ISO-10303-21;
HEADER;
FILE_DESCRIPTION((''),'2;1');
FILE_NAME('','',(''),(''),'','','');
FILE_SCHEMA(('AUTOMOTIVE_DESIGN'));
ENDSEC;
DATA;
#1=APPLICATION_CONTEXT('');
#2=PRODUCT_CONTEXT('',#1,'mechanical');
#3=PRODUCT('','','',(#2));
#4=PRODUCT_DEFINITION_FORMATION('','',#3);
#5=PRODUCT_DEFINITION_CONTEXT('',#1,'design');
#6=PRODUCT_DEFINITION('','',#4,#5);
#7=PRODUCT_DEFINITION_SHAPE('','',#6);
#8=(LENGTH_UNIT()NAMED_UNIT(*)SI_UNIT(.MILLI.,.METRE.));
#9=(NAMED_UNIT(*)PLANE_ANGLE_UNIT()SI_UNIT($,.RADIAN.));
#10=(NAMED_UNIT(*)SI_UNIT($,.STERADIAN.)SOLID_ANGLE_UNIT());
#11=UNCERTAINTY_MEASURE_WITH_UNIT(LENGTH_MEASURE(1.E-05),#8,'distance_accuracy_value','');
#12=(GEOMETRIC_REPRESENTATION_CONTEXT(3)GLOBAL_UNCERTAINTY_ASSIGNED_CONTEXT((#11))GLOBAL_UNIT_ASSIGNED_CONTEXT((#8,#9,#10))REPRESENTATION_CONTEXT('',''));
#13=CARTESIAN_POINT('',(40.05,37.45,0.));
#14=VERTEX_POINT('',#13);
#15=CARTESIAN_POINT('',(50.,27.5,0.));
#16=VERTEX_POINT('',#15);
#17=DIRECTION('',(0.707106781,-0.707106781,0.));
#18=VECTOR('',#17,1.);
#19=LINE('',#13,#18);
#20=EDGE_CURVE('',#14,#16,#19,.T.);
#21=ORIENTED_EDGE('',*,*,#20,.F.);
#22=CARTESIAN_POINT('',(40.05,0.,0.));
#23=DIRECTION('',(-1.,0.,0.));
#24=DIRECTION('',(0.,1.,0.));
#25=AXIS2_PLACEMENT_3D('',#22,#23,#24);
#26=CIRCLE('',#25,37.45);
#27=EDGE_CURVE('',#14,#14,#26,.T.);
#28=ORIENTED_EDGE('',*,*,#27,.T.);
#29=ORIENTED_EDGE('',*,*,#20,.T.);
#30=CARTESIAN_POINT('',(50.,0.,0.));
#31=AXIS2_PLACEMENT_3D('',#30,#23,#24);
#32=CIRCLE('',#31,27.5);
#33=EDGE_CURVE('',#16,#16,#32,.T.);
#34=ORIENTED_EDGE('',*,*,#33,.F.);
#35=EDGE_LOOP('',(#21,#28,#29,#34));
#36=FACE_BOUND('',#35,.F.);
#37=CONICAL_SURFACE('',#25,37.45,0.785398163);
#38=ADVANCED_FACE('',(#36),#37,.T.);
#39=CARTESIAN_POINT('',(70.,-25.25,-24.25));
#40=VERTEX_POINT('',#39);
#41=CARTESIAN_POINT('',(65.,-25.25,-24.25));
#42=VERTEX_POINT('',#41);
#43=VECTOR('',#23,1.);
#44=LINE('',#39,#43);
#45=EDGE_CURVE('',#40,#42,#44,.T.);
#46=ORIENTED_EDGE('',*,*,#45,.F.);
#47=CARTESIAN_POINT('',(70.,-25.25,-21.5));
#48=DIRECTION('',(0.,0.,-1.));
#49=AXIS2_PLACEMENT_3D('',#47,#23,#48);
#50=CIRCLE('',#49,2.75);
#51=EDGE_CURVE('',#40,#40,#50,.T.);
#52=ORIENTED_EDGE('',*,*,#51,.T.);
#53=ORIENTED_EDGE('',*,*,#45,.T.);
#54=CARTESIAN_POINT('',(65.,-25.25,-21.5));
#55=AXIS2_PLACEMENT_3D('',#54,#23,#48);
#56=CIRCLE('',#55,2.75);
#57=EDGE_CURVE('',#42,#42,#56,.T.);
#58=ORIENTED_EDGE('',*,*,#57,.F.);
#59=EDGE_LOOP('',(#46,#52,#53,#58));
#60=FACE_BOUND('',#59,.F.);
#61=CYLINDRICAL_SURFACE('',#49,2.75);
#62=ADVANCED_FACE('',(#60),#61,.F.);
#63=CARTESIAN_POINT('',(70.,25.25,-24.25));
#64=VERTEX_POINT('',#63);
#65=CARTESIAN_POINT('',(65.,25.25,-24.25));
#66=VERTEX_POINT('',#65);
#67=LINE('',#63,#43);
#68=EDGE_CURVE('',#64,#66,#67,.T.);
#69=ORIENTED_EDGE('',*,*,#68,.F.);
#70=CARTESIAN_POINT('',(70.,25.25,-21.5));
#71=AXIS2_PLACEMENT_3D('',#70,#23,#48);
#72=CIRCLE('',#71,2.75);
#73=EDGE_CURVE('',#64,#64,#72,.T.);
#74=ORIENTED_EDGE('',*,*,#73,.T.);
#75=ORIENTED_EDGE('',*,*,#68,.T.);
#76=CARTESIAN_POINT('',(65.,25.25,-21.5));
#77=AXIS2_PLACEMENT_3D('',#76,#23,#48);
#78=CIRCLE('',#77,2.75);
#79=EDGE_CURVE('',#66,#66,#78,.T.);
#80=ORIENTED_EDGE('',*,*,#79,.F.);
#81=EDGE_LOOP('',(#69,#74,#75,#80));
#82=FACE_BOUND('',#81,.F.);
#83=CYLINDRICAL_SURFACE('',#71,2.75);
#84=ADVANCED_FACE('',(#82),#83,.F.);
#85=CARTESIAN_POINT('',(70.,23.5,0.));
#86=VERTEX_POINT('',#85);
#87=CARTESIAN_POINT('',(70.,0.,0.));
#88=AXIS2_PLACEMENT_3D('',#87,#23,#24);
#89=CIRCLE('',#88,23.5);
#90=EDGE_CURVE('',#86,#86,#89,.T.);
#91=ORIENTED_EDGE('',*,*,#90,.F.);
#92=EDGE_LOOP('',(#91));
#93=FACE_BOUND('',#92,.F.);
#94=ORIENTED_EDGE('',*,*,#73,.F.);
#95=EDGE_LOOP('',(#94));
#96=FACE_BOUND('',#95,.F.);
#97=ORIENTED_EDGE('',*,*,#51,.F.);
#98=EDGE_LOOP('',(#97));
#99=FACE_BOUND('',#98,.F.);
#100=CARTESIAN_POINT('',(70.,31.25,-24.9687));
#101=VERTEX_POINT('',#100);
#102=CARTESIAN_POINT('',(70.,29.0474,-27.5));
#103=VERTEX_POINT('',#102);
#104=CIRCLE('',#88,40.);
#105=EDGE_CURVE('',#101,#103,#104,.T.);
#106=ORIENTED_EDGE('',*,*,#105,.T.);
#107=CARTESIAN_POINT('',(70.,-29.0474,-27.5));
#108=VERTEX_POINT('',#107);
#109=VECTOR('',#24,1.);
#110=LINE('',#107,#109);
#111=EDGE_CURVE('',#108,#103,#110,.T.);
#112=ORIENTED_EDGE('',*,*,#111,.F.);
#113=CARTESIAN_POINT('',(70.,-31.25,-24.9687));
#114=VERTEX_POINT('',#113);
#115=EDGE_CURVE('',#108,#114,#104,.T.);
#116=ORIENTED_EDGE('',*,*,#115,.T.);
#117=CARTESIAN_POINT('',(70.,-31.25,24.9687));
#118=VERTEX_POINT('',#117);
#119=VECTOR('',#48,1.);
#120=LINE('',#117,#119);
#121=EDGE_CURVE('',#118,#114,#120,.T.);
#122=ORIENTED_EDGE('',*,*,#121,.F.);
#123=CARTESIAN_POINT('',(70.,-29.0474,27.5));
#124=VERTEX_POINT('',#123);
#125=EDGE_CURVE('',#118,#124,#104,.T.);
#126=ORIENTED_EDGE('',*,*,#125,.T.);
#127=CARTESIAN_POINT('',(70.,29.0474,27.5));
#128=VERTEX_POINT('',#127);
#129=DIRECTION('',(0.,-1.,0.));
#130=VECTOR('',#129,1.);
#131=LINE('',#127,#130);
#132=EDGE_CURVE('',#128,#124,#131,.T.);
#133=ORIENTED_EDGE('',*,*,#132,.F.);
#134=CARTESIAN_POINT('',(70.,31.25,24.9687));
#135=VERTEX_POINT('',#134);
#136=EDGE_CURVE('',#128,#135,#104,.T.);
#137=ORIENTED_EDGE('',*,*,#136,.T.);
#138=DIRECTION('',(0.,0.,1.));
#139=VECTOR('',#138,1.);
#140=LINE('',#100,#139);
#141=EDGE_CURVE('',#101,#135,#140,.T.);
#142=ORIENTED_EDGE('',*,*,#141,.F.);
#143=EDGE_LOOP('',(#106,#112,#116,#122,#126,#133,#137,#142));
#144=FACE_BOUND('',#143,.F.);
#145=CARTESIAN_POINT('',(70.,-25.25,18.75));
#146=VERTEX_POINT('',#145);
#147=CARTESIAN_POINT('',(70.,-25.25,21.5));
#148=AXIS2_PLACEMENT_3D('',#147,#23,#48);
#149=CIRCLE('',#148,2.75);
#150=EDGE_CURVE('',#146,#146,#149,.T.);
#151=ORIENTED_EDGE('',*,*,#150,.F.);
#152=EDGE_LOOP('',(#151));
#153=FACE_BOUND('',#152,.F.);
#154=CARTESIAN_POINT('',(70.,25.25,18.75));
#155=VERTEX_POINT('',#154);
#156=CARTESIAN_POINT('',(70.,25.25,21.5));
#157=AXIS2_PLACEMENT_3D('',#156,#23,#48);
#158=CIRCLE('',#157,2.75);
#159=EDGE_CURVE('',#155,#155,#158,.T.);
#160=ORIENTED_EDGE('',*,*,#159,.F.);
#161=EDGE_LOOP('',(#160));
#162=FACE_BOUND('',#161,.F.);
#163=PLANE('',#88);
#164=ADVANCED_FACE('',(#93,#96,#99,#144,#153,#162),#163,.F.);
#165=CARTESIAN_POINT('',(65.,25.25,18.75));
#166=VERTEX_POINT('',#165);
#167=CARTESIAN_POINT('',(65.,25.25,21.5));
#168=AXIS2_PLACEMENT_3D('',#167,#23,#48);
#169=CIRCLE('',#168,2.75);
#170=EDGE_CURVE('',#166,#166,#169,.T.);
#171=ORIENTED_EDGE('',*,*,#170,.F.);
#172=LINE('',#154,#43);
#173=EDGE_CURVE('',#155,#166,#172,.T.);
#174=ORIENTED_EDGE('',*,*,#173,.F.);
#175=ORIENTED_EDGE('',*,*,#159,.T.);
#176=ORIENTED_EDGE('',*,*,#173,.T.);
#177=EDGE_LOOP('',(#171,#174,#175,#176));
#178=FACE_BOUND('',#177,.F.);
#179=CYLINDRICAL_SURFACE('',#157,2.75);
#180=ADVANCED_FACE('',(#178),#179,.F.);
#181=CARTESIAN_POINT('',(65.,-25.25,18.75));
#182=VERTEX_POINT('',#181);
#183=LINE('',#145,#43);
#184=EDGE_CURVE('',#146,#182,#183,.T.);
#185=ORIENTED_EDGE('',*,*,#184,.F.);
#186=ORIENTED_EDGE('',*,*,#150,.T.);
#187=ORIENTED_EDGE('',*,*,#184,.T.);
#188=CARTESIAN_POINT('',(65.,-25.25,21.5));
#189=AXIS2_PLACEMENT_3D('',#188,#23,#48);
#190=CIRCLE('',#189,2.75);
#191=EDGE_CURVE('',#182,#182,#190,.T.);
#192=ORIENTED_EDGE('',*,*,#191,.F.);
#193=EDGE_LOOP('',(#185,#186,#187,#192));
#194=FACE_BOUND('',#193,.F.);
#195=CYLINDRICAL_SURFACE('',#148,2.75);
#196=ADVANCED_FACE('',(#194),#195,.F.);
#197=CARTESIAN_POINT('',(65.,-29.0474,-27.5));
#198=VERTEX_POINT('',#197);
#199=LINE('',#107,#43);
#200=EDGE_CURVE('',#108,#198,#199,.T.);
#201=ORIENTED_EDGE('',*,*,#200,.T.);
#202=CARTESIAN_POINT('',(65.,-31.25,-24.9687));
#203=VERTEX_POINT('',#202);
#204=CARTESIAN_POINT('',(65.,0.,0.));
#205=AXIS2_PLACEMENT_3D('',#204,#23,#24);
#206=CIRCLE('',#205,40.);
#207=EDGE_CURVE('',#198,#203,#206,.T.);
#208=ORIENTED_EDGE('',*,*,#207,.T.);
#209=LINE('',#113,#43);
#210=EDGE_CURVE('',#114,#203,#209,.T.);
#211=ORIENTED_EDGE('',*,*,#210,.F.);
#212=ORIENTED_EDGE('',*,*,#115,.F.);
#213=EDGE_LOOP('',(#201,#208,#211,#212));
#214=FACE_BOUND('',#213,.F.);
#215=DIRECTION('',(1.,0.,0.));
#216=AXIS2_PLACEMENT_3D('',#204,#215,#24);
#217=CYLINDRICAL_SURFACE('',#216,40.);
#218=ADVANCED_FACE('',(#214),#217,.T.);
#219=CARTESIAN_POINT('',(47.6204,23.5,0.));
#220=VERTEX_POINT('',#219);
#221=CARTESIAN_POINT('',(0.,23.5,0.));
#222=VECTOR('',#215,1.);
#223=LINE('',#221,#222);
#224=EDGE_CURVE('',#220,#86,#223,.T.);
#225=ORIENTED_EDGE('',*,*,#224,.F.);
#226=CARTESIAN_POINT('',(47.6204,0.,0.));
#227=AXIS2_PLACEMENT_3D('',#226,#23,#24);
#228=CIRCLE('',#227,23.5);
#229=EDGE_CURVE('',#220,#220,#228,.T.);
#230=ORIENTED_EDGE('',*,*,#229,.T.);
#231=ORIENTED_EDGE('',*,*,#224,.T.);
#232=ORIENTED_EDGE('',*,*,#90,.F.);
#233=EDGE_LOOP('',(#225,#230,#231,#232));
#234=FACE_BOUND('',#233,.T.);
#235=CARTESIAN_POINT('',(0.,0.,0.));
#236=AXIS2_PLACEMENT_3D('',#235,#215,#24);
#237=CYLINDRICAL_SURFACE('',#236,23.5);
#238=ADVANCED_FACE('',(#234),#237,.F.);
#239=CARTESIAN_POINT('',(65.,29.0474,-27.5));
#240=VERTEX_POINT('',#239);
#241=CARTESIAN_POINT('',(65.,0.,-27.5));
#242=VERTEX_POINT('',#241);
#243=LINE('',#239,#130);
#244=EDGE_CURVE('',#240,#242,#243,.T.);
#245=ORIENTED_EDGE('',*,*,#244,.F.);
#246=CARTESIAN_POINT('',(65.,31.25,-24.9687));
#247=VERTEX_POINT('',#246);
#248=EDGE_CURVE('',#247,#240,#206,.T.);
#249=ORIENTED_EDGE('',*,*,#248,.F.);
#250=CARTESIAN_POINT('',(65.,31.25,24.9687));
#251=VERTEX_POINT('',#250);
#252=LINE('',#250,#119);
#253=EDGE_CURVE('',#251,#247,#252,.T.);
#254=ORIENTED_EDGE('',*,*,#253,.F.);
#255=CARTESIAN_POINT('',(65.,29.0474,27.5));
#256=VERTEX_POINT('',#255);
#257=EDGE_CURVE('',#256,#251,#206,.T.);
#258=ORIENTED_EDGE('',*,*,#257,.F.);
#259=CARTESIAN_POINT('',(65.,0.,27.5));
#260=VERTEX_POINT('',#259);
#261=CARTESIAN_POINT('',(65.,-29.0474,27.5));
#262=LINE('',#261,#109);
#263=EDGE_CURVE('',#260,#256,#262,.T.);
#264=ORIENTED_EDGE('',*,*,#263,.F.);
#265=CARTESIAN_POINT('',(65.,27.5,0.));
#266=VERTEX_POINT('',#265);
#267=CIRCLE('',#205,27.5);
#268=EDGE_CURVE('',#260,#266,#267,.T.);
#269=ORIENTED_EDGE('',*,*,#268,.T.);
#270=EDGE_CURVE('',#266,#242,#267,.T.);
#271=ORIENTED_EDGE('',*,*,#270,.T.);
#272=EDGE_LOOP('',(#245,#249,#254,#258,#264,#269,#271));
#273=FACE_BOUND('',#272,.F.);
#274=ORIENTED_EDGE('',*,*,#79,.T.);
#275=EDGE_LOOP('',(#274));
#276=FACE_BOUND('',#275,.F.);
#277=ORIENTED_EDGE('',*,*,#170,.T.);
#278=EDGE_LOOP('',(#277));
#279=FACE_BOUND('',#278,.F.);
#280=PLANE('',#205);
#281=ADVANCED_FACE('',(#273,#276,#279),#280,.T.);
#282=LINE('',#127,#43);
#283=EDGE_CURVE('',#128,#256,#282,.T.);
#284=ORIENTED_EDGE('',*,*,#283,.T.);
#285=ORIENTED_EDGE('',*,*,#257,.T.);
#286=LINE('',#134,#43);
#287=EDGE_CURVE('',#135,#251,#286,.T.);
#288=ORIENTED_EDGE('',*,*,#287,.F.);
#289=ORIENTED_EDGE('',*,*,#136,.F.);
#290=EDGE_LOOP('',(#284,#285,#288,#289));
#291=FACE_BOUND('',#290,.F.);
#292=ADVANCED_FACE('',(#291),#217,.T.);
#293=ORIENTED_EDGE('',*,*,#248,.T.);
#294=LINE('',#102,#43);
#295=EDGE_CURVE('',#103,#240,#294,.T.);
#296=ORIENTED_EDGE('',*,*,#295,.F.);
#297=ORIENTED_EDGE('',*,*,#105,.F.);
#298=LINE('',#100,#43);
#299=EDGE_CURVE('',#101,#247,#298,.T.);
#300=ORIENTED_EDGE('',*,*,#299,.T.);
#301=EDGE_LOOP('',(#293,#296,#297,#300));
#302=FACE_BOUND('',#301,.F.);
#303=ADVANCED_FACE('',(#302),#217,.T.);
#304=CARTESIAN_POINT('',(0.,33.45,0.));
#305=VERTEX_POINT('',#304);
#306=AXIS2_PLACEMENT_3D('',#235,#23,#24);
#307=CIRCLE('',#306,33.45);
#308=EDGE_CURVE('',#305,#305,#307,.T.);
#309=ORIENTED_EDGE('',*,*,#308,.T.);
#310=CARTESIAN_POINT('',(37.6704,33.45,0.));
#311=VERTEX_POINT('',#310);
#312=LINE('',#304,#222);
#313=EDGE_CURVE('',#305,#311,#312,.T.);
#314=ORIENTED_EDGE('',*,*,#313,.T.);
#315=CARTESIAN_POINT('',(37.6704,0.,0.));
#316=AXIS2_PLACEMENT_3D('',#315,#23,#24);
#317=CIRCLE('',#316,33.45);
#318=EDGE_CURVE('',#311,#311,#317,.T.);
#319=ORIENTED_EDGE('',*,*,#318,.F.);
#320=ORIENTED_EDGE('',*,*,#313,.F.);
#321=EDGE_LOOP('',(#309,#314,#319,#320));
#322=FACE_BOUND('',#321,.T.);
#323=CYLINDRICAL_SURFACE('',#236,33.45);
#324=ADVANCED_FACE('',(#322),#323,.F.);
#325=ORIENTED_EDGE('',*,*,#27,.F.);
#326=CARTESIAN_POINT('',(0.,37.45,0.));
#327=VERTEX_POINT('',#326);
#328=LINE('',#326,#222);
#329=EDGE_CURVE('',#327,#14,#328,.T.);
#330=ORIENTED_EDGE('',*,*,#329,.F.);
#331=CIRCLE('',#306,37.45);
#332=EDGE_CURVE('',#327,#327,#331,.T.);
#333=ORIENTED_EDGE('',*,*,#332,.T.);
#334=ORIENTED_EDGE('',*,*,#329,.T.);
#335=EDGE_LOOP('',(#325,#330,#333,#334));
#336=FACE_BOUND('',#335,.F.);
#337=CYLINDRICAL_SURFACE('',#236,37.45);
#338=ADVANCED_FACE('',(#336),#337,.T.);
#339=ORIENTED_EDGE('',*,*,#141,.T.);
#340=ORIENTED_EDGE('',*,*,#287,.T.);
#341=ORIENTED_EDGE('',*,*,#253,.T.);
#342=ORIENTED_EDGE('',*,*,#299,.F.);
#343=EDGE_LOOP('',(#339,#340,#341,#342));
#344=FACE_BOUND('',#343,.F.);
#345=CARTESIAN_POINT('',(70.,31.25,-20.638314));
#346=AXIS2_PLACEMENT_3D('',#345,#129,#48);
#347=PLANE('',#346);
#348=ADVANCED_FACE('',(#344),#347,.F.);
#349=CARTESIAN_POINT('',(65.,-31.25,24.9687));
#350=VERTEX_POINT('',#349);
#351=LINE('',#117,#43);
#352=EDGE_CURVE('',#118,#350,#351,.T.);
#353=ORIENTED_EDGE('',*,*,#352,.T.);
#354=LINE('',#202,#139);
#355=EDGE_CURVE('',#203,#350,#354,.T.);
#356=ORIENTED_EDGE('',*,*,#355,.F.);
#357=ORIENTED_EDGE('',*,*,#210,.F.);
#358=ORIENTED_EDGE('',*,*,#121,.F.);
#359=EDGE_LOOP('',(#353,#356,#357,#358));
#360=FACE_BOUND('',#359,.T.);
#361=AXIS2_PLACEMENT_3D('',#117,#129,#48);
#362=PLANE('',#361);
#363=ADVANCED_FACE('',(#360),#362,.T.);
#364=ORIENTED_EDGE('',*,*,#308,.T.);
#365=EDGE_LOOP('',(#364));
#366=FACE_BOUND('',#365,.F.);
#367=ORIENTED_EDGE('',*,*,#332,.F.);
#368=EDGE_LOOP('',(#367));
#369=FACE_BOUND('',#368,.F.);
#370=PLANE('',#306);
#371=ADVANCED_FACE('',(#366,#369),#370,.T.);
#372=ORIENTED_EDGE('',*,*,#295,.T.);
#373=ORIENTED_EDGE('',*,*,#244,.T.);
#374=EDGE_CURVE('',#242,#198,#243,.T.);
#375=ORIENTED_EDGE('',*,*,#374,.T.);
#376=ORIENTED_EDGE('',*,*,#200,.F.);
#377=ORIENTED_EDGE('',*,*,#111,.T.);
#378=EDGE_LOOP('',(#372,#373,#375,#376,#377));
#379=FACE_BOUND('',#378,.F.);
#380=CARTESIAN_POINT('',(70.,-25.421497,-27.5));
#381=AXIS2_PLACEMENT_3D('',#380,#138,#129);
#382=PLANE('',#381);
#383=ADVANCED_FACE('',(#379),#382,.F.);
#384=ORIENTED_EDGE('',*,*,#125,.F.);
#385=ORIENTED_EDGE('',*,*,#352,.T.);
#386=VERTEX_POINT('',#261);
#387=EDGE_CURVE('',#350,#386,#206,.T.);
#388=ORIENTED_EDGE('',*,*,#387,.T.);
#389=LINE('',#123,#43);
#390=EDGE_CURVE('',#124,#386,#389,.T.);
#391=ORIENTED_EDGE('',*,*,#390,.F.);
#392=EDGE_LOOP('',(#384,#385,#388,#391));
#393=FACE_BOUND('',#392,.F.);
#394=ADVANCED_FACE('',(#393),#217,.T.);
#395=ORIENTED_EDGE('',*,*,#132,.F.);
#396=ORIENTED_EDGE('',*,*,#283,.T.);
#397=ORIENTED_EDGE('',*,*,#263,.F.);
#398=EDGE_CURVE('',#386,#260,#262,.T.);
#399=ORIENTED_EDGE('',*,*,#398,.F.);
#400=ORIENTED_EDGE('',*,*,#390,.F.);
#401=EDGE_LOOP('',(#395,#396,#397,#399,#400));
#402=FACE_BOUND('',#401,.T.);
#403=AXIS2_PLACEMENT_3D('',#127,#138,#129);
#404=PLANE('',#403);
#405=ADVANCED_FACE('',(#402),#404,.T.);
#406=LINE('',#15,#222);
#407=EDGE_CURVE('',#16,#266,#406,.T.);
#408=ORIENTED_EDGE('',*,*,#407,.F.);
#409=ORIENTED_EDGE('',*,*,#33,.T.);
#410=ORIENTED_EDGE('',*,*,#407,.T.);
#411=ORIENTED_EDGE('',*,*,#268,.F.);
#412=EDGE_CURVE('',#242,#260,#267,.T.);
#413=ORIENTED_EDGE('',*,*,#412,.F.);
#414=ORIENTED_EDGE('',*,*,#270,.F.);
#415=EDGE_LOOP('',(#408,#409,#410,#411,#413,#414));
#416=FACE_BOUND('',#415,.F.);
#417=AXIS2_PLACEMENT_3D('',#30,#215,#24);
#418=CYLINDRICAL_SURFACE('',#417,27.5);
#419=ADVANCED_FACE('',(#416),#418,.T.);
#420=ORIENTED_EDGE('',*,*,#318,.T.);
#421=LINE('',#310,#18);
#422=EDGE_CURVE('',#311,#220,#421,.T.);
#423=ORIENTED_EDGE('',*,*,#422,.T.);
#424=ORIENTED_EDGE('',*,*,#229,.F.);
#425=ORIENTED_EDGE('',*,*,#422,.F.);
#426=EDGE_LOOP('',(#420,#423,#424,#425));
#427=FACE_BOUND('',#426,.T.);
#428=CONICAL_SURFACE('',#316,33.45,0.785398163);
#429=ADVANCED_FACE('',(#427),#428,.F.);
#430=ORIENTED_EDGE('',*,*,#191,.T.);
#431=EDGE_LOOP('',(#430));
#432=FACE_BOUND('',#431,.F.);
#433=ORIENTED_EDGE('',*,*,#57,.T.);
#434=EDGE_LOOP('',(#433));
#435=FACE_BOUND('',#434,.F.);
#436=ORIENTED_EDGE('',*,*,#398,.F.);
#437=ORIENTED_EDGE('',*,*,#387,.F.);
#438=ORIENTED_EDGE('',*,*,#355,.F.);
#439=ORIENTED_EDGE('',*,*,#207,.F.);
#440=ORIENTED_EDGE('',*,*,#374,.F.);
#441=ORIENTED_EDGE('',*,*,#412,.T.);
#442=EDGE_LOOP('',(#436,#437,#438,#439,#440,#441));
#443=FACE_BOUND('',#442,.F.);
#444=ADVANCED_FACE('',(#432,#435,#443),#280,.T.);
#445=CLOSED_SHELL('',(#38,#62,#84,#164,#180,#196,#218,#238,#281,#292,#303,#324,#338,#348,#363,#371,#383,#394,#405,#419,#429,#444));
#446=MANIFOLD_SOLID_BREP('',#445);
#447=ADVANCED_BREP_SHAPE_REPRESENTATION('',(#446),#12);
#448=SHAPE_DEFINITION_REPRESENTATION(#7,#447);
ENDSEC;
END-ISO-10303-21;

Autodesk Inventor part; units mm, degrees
ref_plane "YZ Plane" through (0, 0, 0) normal (1, 0, 0) x (0, 1, 0)
ref_plane "XZ Plane" through (0, 0, 0) normal (0, 1, 0) x (-1, 0, 0)
ref_plane "XY Plane" through (0, 0, 0) normal (0, 0, 1) x (1, 0, 0)
sketch "Skizze1" plane through (0, 0, 0) normal (0, 0, 1) x (1, 0, 0)
  line L0 (40.05, 37.45) -> (50, 27.5)
  line L1 (50, 27.5) -> (65, 27.5)
  line L2 (65, 27.5) -> (65, 40)
  line L3 (65, 40) -> (70, 40)
  line L4 (70, 40) -> (70, 0)
  line L5 (70, 0) -> (0, 0)
  line L6 (0, 23.5) -> (70, 23.5)
  line L7 (0, 0) -> (0, 37.45)
  line L8 (0, 37.45) -> (40.05, 37.45)
  line L9 (0, 33.45) -> (37.6704, 33.45)
  line L10 (37.6704, 33.45) -> (47.6204, 23.5)
  dimension "d0" = 23.5
  dimension "d2" = 5
  dimension "d3" = 15
  dimension "d6" = 40
  dimension "d7" = 4
  dimension "d34" = 37.45
  dimension "d35" = 135
  dimension "d36" = 70
  dimension "d52" = 4
revolve "Umdrehung2" add sketch "Skizze1" angle 360 about axis through (70, 0, 0) along (-1, 0, 0) contours L0 L1 L2 L3 L4 L6 L10 L9 L7 L8
sketch "Skizze5" plane through (70, 0, 0) normal (1, 0, 0) x (0, 0, -1)
  circle A0 centre (0, 0) radius 40 projected
  line L0 (-27.5, 29.0474) -> (-27.5, -29.0474)
  line L1 (27.5, 29.0474) -> (27.5, -29.0474)
  line L2 (-24.9687, -31.25) -> (24.9687, -31.25)
  line L3 (-24.9687, 31.25) -> (24.9687, 31.25)
  circle A1 centre (0, 0) radius 37.45 projected
  circle A2 centre (0, 0) radius 40
  point P0 (0, 31.25)
  point P1 (-27.5, 0)
  dimension "d38" = 62.5
  dimension "d40" = 55
extrude "Extrusion3" cut sketch "Skizze5" against normal up to surface (5 mm away) contours A0 L1 A1 | L3 A1 A0 | A1 L1 | A0 L2 A1 | L3 A1 | A1 L2 | L0 A1 A0 | L0 A1
sketch "Skizze6" plane through (70, -29.0474, -27.5) normal (1, 0, 0) x (0, 0, -1)
  line L0 (-55, -2.2026) -> (-49, -2.2026)
  line L1 (-49, -2.2026) -> (-49, 3.7974)
  line L2 (-49, 3.7974) -> (-55, 3.7974)
  line L3 (-55, 3.7974) -> (-55, -2.2026)
  line L4 (-55, 60.2974) -> (-49, 60.2974)
  line L5 (-49, 60.2974) -> (-49, 54.2974)
  line L6 (-49, 54.2974) -> (-55, 54.2974)
  line L7 (-55, 54.2974) -> (-55, 60.2974)
  line L8 (0, 60.2974) -> (-6, 60.2974)
  line L9 (-6, 60.2974) -> (-6, 54.2974)
  line L10 (-6, 54.2974) -> (0, 54.2974)
  line L11 (0, 54.2974) -> (0, 60.2974)
  line L12 (0, 3.7974) -> (-6, 3.7974)
  line L13 (-6, 3.7974) -> (-6, -2.2026)
  line L14 (-6, -2.2026) -> (0, -2.2026)
  line L15 (0, -2.2026) -> (0, 3.7974)
  circle A0 centre (-27.5, 29.0474) radius 23.5 projected
  line L16 (0, 0) -> (0, 58.0948) projected
  arc A1 (0, 58.0948) -> (-2.5313, 60.2974) centre (-27.5, 29.0474) ccw projected
  line L17 (-2.5313, 60.2974) -> (-52.4687, 60.2974) projected
  arc A2 (-52.4687, 60.2974) -> (-55, 58.0948) centre (-27.5, 29.0474) ccw projected
  line L18 (-55, 58.0948) -> (-55, 0) projected
  arc A3 (-55, 0) -> (-52.4687, -2.2026) centre (-27.5, 29.0474) ccw projected
  line L19 (-52.4687, -2.2026) -> (-2.5313, -2.2026) projected
  arc A4 (-2.5313, -2.2026) -> (0, 0) centre (-27.5, 29.0474) ccw projected
  line L20 (0, 0) -> (0, 58.0948) projected
  line L21 (-2.5313, 60.2974) -> (-52.4687, 60.2974) projected
  line L22 (-55, 58.0948) -> (-55, 0) projected
  line L23 (-52.4687, -2.2026) -> (-2.5313, -2.2026) projected
  dimension "d43" = 6
hole "Bohrung2" at (70, -25.25, 21.5) at (70, 25.25, 21.5) at (70, 25.25, -21.5) at (70, -25.25, -21.5) direction (-1, 0, 0) diameter 5.5 depth 8 tip angle 118
properties part number "Rohrhalterung_2"
